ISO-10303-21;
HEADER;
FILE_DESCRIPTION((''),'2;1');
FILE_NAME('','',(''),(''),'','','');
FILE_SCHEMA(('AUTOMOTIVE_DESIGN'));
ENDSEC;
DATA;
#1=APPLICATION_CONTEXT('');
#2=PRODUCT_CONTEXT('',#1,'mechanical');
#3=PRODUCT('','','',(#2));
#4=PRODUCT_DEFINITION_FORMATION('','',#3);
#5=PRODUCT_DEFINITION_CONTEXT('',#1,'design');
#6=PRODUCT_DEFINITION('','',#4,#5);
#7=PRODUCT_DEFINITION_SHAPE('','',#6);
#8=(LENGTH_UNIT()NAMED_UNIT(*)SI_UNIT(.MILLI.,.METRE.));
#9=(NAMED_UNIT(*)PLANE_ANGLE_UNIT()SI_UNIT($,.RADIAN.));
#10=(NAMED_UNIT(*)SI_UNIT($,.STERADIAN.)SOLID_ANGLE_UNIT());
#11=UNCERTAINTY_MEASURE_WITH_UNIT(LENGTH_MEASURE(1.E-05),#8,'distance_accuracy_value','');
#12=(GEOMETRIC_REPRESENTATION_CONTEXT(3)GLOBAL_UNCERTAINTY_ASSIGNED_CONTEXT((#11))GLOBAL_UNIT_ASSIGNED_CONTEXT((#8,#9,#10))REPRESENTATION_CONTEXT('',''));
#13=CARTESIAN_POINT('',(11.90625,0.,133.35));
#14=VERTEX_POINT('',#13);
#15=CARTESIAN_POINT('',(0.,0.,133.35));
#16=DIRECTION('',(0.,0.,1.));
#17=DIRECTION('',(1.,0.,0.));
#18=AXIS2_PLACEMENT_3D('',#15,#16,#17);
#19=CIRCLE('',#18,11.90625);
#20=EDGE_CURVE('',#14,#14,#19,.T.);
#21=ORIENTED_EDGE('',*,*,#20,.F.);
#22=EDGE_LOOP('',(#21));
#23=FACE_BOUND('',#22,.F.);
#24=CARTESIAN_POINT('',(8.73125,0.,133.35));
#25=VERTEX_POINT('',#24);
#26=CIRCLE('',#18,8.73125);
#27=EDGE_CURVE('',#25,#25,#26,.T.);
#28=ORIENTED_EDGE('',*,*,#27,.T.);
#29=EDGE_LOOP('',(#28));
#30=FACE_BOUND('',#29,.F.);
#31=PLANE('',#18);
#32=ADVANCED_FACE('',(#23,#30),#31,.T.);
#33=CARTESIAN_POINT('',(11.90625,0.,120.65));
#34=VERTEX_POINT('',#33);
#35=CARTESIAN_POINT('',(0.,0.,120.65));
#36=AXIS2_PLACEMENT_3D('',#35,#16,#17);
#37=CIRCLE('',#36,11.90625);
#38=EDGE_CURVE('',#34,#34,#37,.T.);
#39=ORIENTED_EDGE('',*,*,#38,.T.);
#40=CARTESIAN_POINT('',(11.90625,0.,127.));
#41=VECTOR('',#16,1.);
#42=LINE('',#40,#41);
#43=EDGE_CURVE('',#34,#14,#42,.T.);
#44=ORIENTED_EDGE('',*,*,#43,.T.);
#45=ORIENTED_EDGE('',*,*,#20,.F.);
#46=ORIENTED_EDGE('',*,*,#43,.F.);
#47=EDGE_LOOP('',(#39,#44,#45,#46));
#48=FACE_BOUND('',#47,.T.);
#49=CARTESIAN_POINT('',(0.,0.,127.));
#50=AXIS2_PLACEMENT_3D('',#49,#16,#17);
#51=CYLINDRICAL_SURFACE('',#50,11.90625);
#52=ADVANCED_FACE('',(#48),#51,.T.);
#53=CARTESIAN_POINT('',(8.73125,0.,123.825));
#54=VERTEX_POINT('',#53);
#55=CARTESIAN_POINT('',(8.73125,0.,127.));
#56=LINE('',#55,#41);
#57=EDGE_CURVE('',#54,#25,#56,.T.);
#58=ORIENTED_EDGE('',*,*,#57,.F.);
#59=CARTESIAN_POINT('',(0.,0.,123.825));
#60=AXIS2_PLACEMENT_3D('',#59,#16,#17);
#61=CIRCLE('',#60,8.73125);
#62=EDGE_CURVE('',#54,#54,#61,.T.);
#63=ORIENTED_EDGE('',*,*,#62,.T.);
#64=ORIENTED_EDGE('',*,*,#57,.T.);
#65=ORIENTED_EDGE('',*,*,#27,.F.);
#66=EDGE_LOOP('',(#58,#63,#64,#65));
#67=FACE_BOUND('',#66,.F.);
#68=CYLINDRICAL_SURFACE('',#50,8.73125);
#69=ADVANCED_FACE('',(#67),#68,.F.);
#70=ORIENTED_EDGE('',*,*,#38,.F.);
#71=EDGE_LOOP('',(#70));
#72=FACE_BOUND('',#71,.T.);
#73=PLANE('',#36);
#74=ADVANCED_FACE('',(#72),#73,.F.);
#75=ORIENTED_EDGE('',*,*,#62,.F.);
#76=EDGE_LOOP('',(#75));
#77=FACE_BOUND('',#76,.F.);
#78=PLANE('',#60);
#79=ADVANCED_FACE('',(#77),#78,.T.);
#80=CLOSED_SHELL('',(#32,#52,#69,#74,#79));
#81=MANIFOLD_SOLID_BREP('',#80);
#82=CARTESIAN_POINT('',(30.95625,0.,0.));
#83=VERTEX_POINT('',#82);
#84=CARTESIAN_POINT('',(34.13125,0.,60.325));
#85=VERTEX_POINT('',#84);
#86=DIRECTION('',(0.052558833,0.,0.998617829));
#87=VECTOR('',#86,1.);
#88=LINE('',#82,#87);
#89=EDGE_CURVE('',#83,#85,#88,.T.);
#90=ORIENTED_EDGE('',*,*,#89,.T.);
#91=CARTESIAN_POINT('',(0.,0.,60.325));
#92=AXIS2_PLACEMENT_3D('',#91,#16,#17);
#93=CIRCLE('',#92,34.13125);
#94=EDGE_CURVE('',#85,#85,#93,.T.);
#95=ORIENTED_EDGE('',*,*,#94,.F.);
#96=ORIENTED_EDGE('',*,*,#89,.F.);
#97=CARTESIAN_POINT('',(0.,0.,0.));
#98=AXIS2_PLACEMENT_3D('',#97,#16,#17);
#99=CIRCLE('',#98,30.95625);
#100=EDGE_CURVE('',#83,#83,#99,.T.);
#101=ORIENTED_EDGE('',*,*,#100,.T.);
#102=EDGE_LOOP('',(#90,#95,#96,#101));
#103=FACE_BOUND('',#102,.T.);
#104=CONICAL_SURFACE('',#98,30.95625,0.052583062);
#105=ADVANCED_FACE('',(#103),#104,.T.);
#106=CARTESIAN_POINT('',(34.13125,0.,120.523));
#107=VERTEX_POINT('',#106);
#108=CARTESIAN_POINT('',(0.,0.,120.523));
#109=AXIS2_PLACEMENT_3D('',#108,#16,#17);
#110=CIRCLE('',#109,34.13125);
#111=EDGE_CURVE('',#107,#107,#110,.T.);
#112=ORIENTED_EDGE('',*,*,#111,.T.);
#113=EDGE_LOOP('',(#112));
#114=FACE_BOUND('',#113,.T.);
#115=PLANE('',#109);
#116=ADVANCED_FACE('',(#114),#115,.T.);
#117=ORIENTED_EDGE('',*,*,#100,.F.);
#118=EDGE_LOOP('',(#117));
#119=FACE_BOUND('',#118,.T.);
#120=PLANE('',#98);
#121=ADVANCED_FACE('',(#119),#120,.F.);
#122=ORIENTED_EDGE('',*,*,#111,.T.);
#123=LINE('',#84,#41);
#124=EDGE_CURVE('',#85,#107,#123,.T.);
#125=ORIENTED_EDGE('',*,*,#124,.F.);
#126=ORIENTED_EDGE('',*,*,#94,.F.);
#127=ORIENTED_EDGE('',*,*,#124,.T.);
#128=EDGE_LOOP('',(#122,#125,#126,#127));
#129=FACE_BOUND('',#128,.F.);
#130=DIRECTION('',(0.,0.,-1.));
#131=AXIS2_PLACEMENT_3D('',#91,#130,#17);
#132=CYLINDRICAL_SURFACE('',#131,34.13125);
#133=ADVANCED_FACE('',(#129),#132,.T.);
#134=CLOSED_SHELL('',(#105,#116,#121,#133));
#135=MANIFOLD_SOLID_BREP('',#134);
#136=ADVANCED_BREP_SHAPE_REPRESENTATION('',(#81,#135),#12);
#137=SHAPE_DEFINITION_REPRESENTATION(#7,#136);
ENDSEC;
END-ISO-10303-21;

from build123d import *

# Parameters (mm, degrees)
F0_W     = 11.90625
F0_H     = 12.7
F2_T     = -3.175
F3_DEPTH = 60.198


with BuildPart() as f1:
    # F0 (on Front) → F1 (revolve)
    with BuildSketch(Plane.XZ):
        with Locations((5.953125, 127)):
            Rectangle(F0_W, F0_H)
    revolve(axis=Axis((0, 0, 60.325), (0, 0, 1)))

    # F2
    f2_openings = [f1.faces().sort_by_distance(p)[0] for p in [
        (0, 0, 133.35),
    ]]
    offset(amount=F2_T, openings=f2_openings)


with BuildPart() as f1b:
    # F0 (on Front) → F1, piece 2 (revolve)
    with BuildSketch(Plane.XZ):
        Polygon((0, 60.325), (0, 0), (30.95625, 0), (34.13125, 60.325), align=None)
    revolve(axis=Axis((0, 0, 60.325), (0, 0, 1)))

    # F3 (add): a face of the model
    f3_faces = [f1b.faces().sort_by_distance(p)[0] for p in [
        (0, 0, 60.325),
    ]]
    extrude(f3_faces, amount=F3_DEPTH)


solid = Compound([f1.part, f1b.part])
